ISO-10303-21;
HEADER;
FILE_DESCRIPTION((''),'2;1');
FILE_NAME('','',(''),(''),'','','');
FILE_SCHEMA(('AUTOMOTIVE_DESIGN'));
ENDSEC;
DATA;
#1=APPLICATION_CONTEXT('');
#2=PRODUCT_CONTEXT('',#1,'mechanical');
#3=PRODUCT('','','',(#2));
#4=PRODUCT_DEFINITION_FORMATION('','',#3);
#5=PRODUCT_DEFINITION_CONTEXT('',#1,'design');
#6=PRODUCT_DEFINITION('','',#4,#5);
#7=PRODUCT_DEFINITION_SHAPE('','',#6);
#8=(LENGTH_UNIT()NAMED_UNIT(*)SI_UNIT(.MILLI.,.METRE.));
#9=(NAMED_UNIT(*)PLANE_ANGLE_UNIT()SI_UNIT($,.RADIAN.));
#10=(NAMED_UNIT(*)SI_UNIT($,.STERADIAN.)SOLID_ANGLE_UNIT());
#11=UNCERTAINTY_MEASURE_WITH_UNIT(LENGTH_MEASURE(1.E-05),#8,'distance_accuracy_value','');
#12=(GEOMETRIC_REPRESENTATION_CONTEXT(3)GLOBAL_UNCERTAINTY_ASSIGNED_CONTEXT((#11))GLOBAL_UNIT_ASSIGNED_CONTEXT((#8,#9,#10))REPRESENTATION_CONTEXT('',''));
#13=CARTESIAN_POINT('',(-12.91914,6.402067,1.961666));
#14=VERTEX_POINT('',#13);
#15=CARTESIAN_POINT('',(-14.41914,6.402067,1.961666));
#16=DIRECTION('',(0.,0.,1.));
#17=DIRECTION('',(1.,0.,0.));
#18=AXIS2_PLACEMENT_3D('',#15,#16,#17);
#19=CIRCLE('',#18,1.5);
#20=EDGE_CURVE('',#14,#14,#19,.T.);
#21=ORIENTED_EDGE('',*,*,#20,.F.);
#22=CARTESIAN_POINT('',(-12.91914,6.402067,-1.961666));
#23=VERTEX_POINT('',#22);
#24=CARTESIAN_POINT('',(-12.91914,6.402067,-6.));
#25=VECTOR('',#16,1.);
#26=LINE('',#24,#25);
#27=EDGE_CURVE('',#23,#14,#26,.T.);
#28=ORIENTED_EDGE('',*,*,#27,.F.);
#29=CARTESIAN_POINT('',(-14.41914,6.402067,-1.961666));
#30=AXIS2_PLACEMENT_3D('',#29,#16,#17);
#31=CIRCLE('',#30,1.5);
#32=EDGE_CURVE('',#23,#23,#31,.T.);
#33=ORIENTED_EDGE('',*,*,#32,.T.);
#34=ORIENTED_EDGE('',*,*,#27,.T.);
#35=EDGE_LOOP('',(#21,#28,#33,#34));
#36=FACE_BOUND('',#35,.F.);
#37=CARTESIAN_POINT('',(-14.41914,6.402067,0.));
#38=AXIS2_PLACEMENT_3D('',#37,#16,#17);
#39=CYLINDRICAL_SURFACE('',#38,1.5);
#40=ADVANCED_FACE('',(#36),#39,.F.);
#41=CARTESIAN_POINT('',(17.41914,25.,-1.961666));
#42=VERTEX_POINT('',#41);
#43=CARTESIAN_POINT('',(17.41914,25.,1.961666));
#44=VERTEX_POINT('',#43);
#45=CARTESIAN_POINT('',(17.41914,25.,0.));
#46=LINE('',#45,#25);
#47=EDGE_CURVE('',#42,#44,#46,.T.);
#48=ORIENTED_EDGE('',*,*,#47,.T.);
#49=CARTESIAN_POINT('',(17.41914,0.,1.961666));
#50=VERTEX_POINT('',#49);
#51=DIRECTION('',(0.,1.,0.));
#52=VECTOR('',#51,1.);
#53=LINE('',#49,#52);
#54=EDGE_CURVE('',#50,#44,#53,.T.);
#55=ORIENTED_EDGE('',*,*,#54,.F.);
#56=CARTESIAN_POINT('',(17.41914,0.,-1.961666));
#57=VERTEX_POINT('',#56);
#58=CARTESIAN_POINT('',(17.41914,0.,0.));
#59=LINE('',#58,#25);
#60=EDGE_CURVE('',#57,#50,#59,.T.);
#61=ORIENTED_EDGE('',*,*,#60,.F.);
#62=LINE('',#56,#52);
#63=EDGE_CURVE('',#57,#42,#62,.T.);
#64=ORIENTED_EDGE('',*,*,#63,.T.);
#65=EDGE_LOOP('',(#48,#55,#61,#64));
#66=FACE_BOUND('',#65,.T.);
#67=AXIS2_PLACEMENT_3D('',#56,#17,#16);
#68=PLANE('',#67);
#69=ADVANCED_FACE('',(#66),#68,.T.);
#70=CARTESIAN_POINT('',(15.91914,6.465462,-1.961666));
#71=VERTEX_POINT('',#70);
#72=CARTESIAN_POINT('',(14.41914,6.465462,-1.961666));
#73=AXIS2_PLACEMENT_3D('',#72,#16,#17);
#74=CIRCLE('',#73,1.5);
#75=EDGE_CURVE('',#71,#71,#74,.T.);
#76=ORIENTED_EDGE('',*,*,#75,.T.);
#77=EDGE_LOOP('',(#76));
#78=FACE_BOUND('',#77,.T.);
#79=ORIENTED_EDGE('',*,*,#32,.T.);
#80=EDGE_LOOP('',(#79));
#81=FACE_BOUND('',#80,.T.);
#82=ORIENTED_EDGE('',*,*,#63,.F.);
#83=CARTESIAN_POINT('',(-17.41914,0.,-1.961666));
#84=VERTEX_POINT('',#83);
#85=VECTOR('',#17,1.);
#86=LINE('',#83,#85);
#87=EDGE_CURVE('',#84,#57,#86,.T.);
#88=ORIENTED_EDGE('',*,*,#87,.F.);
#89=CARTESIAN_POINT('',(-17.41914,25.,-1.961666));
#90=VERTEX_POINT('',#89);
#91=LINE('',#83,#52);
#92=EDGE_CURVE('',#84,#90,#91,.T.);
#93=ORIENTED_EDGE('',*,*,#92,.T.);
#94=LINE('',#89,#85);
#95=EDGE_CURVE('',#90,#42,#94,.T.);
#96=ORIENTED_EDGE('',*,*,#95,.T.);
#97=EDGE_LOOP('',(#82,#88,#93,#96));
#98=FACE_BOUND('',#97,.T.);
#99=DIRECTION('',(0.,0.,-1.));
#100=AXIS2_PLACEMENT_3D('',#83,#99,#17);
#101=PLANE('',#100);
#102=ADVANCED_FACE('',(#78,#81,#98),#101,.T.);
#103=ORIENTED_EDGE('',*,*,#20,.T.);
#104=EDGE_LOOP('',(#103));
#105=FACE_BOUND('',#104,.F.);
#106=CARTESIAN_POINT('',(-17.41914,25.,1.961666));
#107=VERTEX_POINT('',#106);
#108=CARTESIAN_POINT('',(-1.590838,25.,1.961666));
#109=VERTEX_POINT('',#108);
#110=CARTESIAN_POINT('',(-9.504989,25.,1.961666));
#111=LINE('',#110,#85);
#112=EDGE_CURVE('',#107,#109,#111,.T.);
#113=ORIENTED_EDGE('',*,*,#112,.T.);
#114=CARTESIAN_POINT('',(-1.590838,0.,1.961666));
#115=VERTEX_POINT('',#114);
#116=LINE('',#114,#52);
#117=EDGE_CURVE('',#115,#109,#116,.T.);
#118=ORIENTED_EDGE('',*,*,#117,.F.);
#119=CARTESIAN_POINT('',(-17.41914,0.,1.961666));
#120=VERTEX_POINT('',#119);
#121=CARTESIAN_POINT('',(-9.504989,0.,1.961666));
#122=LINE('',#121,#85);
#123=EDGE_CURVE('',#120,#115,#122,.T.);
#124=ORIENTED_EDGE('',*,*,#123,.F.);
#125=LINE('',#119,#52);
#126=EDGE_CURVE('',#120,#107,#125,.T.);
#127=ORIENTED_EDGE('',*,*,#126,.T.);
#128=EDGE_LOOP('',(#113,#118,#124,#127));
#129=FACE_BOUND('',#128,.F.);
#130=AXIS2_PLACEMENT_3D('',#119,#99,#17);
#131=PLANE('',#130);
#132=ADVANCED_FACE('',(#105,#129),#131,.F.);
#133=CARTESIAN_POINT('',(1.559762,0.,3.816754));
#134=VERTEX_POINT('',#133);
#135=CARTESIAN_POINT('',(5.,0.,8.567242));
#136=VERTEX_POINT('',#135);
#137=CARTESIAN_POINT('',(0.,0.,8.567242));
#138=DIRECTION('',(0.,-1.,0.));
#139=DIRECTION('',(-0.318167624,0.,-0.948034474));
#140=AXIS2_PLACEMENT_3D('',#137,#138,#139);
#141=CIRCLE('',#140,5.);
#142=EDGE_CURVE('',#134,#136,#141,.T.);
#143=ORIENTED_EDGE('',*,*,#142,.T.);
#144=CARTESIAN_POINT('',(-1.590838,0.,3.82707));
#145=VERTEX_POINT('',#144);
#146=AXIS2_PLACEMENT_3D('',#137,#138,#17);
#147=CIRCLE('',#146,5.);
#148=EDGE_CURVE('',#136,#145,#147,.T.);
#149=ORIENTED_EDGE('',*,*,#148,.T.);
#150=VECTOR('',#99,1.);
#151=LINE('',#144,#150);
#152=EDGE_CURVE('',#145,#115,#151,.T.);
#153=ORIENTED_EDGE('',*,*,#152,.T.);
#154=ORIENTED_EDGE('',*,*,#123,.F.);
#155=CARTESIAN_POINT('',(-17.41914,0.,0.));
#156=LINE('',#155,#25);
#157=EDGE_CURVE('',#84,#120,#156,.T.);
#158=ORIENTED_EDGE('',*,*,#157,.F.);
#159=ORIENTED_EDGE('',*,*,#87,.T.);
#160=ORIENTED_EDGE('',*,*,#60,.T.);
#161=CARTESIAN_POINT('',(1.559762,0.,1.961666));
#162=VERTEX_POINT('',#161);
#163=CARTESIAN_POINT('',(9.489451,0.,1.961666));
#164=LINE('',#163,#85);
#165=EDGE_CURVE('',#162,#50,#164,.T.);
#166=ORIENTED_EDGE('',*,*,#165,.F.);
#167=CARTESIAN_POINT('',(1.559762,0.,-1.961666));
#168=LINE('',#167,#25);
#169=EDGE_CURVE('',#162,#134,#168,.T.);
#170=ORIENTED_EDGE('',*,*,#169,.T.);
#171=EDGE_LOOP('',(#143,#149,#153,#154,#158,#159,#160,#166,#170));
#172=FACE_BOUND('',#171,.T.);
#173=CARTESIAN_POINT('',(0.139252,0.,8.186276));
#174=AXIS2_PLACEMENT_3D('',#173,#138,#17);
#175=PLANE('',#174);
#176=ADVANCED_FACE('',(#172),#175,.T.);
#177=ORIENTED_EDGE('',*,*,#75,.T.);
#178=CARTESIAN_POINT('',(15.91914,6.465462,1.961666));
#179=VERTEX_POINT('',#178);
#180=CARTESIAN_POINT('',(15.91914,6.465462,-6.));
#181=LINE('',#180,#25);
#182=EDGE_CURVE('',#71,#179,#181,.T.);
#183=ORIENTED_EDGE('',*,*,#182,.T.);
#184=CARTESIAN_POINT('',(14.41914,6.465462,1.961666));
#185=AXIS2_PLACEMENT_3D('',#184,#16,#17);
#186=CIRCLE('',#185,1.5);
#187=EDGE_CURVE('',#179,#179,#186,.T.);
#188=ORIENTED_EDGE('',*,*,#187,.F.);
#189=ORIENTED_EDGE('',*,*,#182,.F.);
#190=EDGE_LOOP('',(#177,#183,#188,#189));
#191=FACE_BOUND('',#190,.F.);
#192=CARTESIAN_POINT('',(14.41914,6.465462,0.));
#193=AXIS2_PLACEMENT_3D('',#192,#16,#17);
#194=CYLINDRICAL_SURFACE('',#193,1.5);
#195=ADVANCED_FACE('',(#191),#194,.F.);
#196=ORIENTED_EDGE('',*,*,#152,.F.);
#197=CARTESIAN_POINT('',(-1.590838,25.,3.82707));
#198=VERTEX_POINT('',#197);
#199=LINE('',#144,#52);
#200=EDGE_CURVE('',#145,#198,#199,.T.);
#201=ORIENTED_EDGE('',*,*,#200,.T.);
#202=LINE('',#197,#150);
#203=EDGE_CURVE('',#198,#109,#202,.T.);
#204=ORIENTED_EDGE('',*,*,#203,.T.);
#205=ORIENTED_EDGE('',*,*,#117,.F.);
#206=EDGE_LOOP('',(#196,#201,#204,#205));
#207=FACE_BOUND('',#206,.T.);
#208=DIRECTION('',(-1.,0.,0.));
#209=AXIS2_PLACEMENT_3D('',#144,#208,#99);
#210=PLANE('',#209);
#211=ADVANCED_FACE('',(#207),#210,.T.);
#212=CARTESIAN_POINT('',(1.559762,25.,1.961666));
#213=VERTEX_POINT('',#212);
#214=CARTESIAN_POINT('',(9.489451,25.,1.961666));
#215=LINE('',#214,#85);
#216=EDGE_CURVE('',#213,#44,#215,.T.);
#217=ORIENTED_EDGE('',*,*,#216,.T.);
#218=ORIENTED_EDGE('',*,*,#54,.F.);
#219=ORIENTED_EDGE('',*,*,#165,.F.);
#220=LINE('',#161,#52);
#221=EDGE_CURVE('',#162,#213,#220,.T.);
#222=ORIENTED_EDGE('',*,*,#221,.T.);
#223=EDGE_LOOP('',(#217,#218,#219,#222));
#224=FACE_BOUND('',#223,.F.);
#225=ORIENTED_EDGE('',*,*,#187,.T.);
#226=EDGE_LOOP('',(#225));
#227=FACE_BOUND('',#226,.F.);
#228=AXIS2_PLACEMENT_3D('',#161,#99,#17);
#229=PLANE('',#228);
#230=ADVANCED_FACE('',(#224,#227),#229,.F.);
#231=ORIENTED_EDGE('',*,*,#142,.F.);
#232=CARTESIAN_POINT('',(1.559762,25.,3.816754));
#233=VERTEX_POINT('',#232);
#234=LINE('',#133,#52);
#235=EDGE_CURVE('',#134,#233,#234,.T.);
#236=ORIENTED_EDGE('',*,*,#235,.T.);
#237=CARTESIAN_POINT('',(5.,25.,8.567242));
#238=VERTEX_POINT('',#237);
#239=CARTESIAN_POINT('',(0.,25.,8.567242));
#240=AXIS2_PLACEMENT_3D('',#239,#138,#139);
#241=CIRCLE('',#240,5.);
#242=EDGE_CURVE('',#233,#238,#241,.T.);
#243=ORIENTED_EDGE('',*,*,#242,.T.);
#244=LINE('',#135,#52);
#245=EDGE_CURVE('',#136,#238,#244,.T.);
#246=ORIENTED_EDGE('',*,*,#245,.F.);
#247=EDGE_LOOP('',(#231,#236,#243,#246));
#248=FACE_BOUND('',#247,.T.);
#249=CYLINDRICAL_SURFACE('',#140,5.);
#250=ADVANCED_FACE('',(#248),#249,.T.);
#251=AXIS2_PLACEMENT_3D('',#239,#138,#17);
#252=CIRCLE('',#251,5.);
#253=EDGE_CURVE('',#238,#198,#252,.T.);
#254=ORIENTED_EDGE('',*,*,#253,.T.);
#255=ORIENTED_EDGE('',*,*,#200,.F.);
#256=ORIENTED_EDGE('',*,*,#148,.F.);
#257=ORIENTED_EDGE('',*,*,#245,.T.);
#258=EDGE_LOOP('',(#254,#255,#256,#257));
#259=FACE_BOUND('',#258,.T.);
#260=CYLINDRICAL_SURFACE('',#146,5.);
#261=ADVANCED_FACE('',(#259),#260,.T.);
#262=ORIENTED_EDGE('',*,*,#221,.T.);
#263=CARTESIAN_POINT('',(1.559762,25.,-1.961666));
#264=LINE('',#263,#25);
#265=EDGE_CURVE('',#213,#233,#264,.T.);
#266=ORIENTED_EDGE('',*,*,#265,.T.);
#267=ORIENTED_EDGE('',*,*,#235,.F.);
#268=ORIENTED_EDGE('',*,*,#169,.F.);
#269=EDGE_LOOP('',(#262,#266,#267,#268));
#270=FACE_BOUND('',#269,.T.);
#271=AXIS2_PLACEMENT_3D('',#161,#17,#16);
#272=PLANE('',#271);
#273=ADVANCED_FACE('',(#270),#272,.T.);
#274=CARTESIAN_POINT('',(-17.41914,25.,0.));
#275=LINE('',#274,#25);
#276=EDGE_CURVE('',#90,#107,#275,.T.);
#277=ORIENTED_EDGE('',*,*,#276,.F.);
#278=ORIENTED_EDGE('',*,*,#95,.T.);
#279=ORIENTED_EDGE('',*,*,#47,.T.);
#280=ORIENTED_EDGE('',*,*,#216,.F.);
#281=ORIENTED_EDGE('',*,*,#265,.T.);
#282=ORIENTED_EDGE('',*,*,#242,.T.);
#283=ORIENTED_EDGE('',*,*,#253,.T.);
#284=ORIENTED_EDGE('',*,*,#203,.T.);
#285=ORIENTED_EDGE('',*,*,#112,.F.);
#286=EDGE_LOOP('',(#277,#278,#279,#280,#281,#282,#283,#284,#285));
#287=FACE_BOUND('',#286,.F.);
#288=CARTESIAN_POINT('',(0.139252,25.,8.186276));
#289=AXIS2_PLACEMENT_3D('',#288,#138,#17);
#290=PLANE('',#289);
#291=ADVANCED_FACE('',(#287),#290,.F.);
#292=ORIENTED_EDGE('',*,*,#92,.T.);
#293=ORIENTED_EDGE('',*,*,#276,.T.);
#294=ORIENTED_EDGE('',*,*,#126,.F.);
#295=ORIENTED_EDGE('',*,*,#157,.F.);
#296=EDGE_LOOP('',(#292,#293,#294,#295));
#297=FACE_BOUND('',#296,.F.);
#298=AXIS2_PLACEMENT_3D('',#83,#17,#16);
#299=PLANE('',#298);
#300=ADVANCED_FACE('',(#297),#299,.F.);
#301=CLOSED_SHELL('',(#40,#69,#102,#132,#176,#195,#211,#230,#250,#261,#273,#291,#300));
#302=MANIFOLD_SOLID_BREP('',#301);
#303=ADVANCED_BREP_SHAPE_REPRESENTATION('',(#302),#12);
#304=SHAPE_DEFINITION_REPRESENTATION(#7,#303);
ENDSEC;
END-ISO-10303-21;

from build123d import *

# Parameters (mm, degrees)
F0_W     = 3.1506001928
F0_H     = 3.9233311644
F0_W_2   = 15.8593781031
F0_W_3   = 15.828302058
F2_DEPTH = 25
F1_R     = 1.5
F3_DEPTH = 6
F4_DEPTH = 6


with BuildPart() as f2:
    # F0 (on Front) → F2 (new body)
    with BuildSketch(Plane.XZ):
        with BuildLine():
            ThreePointArc((5, 8.5672423611), (-2.9194014288, 12.6264412103), (-1.5908381189, 3.827069993))
            Line((-1.5908381189, 3.827069993), (-1.5908381189, 8.5672423611))
            Line((-1.5908381189, 8.5672423611), (1.5597620739, 8.5672423611))
            Line((1.5597620739, 8.5672423611), (1.5597620739, 3.8167537259))
            ThreePointArc((1.5597620739, 3.8167537259), (4.049617906, 5.6345652879), (5, 8.5672423611))
        make_face()
        with BuildLine():
            Line((-1.5908381189, 8.5672423611), (-1.5908381189, 3.827069993))
            ThreePointArc((-1.5908381189, 3.827069993), (-0.0163718198, 3.5672691648), (1.5597620739, 3.8167537259))
            Line((1.5597620739, 3.8167537259), (1.5597620739, 8.5672423611))
            Line((1.5597620739, 8.5672423611), (-1.5908381189, 8.5672423611))
        make_face()
        with Locations((-0.0155380225, 0)):
            Rectangle(F0_W, F0_H)
        with BuildLine():
            Line((-1.5908381189, 3.827069993), (-1.5908381189, 1.9616655822))
            Line((-1.5908381189, 1.9616655822), (1.5597620739, 1.9616655822))
            Line((1.5597620739, 1.9616655822), (1.5597620739, 3.8167537259))
            ThreePointArc((1.5597620739, 3.8167537259), (-0.0163718198, 3.5672691648), (-1.5908381189, 3.827069993))
        make_face()
        with Locations((9.4894511254, 0)):
            Rectangle(F0_W_2, F0_H)
        with Locations((-9.5049891479, 0)):
            Rectangle(F0_W_3, F0_H)
    extrude(amount=-F2_DEPTH)

    # F1 (on Top) → F3 (cut, symmetric)
    with BuildSketch(Plane.XY):
        with Locations((14.419140177, 6.4654615708)):
            Circle(F1_R)
    extrude(amount=F3_DEPTH, both=True, mode=Mode.SUBTRACT)

    # F1 (on Top) → F4 (cut, symmetric)
    with BuildSketch(Plane.XY):
        with Locations((-14.419140177, 6.4020673744)):
            Circle(F1_R)
    extrude(amount=F4_DEPTH, both=True, mode=Mode.SUBTRACT)


solid = f2.part
